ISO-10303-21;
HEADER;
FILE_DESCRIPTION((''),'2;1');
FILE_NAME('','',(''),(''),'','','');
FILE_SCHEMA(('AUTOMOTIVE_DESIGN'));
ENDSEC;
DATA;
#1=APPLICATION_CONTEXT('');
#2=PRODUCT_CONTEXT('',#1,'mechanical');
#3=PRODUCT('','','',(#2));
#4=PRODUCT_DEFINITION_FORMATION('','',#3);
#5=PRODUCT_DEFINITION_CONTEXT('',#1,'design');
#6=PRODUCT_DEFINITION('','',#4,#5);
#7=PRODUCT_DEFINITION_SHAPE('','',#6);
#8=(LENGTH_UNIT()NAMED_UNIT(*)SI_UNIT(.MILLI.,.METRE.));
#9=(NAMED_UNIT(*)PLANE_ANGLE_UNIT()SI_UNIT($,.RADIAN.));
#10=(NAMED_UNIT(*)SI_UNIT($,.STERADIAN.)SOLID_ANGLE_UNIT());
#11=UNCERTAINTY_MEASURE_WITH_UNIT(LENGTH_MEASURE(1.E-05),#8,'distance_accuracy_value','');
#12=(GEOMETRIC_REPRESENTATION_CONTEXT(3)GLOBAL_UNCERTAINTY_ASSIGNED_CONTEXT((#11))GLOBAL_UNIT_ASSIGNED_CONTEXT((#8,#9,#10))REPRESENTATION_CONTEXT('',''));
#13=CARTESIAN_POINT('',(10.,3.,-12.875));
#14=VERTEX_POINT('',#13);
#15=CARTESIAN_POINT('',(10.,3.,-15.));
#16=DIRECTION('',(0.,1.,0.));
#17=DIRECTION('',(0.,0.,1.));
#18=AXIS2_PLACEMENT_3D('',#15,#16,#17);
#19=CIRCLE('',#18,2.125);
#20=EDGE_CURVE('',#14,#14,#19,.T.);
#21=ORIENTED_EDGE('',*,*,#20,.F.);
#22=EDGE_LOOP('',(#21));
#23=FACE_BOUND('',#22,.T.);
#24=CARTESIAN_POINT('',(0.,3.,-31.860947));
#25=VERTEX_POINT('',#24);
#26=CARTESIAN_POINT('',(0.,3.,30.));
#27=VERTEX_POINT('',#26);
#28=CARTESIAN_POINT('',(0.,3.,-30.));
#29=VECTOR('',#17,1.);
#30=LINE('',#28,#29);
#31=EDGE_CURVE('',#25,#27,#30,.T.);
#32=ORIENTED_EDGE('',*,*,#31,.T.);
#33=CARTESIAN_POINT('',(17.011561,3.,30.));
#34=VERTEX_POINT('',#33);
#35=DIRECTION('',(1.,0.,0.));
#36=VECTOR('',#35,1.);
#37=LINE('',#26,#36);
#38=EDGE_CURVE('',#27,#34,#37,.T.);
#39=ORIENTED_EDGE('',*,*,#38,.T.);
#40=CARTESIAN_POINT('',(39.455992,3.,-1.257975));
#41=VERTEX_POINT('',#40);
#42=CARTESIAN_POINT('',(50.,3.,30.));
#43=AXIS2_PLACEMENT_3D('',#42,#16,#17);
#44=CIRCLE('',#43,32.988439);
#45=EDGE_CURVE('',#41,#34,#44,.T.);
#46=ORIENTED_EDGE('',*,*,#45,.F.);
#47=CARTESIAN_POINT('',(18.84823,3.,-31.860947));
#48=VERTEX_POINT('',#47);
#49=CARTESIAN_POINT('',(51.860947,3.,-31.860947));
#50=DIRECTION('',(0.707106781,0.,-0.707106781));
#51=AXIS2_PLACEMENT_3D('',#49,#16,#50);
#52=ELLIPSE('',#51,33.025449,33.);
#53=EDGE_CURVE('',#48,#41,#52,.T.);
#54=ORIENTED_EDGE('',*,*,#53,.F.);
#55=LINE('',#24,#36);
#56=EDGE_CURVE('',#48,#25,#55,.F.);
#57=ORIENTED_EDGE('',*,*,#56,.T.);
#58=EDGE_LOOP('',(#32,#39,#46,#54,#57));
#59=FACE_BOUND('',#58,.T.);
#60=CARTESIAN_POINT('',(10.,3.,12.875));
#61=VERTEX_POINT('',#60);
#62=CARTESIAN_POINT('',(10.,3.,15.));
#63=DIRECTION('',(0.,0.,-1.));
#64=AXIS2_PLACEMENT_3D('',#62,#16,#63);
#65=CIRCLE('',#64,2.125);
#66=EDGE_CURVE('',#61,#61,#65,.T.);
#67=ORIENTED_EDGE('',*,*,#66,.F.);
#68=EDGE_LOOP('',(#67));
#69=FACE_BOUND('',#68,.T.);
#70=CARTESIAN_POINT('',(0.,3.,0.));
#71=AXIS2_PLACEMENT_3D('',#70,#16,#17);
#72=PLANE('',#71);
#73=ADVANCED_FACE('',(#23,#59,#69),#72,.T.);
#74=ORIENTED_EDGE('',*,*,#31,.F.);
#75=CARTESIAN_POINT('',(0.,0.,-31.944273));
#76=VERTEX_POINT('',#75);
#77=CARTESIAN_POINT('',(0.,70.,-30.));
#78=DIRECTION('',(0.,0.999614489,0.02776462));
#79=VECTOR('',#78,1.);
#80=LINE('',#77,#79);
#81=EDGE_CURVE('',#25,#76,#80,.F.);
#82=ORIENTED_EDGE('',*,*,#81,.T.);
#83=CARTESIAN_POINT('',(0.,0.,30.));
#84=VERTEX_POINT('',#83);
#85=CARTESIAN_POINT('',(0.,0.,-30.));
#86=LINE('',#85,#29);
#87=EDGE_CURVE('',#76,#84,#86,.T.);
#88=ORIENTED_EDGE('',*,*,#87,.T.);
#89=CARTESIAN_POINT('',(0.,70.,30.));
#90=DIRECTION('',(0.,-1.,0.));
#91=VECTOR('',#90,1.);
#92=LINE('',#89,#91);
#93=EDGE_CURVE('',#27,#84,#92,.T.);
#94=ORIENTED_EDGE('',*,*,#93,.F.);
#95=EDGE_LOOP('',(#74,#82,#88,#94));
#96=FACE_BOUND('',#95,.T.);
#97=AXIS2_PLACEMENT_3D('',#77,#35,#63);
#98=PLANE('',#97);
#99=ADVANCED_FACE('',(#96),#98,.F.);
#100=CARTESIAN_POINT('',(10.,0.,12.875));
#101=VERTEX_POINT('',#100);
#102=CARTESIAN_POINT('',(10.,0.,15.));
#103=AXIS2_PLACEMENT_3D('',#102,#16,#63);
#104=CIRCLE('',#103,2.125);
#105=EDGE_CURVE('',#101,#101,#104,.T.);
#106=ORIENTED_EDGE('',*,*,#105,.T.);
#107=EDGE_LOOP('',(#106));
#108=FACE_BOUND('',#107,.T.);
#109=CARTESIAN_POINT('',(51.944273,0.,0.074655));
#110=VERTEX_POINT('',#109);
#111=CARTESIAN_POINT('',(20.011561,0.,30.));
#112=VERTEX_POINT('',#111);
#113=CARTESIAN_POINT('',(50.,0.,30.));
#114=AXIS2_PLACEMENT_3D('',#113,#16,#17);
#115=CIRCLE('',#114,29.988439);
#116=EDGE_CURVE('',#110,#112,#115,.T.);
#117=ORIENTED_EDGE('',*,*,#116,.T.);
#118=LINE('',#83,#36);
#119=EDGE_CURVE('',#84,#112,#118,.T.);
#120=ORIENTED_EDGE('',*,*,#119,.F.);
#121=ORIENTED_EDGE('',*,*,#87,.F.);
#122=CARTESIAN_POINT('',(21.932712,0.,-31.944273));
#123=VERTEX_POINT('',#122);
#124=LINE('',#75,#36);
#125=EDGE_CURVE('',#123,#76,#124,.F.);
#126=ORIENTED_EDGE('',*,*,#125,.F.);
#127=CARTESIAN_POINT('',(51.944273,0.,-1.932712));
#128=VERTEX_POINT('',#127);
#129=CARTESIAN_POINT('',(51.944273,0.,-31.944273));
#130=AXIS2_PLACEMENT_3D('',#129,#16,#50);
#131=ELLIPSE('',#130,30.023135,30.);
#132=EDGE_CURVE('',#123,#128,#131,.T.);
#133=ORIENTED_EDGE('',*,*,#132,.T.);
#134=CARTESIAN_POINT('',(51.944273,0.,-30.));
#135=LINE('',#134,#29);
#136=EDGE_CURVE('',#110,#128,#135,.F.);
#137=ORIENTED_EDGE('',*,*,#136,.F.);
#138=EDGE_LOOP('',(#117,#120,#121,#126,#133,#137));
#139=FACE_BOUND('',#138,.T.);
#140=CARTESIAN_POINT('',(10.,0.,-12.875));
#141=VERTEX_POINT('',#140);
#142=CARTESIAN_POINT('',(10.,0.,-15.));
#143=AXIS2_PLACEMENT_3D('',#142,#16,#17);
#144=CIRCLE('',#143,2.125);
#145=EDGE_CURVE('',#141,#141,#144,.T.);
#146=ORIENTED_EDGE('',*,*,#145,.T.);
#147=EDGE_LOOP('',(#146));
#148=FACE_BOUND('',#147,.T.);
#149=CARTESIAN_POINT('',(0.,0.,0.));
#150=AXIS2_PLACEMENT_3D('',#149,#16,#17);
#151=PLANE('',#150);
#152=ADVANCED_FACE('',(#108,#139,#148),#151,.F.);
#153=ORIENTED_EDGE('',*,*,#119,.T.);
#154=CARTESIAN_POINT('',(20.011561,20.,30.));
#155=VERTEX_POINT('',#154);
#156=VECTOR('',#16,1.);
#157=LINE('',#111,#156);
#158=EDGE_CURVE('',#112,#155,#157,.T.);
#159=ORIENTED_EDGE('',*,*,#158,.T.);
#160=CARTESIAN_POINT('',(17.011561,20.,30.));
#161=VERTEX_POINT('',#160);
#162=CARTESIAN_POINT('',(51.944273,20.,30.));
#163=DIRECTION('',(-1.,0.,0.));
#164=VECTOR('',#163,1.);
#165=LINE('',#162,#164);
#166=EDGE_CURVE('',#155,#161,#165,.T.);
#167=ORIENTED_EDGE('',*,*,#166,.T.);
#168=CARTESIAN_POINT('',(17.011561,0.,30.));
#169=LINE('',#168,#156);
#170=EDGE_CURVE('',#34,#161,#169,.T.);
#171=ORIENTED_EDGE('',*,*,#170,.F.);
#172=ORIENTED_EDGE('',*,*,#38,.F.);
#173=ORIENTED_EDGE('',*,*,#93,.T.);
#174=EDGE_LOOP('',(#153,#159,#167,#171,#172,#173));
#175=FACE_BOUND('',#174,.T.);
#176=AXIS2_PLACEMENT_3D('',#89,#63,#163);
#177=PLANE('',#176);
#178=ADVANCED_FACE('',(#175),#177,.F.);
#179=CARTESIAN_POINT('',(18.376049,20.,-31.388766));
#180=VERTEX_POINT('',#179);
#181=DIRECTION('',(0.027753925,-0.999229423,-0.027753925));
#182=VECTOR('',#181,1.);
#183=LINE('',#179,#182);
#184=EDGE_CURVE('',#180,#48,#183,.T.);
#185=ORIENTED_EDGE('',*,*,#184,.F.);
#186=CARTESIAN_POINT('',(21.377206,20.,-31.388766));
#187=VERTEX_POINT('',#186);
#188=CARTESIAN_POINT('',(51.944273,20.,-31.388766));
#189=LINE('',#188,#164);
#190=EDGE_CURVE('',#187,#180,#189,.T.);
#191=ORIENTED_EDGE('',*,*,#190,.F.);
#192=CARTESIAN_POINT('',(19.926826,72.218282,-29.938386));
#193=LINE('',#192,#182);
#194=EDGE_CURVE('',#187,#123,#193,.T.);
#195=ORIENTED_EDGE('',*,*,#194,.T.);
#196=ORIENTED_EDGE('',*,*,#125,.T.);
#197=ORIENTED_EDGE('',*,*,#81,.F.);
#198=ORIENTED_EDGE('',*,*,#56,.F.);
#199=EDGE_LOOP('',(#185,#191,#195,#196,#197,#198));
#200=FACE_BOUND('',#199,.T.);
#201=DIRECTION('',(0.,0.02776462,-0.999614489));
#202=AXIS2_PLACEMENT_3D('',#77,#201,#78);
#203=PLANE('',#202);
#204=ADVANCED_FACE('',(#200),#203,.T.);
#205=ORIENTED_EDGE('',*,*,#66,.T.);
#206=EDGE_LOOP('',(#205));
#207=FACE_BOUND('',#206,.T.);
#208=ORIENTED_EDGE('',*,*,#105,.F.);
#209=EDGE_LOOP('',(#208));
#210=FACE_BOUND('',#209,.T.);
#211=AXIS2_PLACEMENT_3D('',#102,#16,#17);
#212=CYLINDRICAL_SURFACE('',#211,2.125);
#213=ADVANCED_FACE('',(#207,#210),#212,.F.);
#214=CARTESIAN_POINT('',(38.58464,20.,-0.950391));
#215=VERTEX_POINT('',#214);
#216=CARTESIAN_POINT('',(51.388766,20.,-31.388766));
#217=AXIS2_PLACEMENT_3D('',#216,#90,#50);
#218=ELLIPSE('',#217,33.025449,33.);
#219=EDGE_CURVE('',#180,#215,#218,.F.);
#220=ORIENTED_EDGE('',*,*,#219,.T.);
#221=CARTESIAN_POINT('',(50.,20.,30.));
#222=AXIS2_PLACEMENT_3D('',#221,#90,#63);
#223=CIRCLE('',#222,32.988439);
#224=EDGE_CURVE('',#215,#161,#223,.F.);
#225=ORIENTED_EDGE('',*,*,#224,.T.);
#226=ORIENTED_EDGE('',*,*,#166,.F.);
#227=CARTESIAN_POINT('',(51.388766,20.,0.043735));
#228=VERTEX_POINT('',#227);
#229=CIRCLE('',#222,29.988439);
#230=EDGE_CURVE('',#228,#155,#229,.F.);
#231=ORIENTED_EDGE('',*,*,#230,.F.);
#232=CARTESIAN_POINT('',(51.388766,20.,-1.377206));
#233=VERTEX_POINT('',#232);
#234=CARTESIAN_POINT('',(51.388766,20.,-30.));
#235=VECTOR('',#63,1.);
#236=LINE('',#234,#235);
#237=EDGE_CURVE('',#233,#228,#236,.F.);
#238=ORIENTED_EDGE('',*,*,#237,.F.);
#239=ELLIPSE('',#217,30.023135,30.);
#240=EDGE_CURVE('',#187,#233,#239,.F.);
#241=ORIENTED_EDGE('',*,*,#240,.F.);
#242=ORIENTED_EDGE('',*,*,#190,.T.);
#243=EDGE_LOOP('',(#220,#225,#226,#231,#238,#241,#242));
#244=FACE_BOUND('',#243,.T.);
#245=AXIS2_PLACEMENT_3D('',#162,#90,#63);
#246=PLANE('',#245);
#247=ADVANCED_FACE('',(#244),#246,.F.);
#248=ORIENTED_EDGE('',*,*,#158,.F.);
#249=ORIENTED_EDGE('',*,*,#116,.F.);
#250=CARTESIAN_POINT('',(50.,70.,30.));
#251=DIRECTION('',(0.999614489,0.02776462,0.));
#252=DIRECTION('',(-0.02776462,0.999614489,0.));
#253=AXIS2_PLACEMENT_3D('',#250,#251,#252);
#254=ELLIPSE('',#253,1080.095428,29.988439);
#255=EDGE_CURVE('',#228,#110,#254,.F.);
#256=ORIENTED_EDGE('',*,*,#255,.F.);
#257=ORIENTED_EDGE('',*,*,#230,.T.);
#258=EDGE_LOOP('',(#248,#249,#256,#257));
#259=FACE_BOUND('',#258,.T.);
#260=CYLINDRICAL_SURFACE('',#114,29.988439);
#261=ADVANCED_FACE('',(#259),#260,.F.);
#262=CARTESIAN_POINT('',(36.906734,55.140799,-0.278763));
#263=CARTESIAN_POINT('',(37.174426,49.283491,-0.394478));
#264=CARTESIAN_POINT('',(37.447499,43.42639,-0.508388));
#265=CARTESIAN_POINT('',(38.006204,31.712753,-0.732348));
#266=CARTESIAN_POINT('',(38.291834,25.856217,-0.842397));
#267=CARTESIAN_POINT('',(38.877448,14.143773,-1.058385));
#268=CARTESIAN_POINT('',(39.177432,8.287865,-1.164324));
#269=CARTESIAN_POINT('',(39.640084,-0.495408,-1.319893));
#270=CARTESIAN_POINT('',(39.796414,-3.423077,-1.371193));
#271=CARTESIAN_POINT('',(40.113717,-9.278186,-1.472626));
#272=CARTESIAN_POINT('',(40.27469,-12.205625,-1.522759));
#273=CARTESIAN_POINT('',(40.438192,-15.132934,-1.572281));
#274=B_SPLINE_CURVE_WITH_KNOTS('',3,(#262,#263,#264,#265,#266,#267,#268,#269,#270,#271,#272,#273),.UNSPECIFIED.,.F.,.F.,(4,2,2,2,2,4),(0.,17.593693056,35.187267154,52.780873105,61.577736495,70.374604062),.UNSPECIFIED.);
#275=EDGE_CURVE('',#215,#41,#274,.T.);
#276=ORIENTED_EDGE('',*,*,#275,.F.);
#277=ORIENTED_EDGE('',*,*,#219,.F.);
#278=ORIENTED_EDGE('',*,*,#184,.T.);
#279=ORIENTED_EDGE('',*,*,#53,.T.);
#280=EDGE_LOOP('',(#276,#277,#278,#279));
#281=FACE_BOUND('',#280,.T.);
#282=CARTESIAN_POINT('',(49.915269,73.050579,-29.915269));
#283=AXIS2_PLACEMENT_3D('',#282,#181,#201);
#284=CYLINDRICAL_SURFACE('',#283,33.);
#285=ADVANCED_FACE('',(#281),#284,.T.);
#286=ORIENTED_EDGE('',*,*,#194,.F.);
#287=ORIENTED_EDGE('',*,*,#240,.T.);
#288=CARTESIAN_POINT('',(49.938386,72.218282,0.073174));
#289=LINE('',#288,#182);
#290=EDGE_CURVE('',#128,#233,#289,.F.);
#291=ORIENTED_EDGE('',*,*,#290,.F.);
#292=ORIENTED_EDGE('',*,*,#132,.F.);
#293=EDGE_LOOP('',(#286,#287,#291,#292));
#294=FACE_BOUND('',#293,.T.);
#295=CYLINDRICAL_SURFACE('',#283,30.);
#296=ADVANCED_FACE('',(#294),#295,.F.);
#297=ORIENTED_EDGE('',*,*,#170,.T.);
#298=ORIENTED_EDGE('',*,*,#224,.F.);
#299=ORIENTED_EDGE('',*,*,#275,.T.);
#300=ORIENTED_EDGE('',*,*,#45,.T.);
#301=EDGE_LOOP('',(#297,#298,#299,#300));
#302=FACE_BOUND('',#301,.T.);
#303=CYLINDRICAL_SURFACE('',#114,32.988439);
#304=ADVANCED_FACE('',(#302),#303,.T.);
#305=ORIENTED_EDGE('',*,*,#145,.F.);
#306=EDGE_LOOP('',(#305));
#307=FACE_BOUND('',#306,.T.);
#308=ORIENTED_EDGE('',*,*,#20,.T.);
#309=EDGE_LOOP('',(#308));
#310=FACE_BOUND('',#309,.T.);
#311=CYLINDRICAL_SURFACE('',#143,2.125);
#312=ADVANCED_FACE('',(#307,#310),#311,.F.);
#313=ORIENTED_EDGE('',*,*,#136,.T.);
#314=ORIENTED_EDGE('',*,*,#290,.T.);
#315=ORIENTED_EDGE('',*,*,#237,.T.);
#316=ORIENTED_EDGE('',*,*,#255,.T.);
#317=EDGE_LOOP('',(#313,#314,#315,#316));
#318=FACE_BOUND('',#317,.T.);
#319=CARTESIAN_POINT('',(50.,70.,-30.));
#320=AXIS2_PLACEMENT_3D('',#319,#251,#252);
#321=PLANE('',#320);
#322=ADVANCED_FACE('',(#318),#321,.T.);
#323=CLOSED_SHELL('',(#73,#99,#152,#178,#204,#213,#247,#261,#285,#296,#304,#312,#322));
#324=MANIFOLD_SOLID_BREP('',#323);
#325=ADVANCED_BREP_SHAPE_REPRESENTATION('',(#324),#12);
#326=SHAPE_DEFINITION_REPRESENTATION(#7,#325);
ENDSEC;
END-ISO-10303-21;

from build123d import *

# Parameters (mm, degrees)
SKETCH_1_W               = 50
SKETCH_1_H               = 60
EXTRUDE_1_DEPTH          = 70
DRAFT_1_ANGLE            = 1.591
CUT_EXTRUDE_1_DEPTH      = 105.880884817
CUT_EXTRUDE_1_DEPTH_BACK = 105.880884817
SKETCH_8_R               = 30
SKETCH_9_R               = 29.988439116
CUT_EXTRUDE_2_DEPTH      = 93.836652593
SKETCH_10_W              = 61.388766385
SKETCH_10_H              = 50
CUT_EXTRUDE_3_DEPTH      = 93.836652759
SHELL_1_T                = -3
SKETCH_11_R              = 2.125
CUT_EXTRUDE_4_DEPTH      = 64.305956024


with BuildPart() as part:
    # 草圖1 → 填料-伸長1 (new body)
    with BuildSketch(Plane(origin=(0, 0, 0), x_dir=(1, 0, 0), z_dir=(0, 1, 0))):
        with Locations((25, 0)):
            Rectangle(SKETCH_1_W, SKETCH_1_H)
    extrude(amount=EXTRUDE_1_DEPTH)

    # 拔模1
    draft_1_faces = [part.faces().sort_by_distance(p)[0] for p in [
        (50, 35, 0),
        (25, 35, -30),
    ]]
    draft(draft_1_faces, Plane.ZX.offset(70), DRAFT_1_ANGLE)

    # 草圖8 → 除料-伸長1 (cut, two sides: drawn at the far end of the back side and taken through both)
    with BuildSketch(Plane(origin=(50, 70, -30), x_dir=(0.9996147856379402, 0.027743225206125616, 0.0007705771714084014), z_dir=(0.027753924659674706, -0.9992294227713525, -0.027753924659674706)).offset(-CUT_EXTRUDE_1_DEPTH_BACK)):
        Circle(SKETCH_8_R)
    extrude(amount=CUT_EXTRUDE_1_DEPTH + CUT_EXTRUDE_1_DEPTH_BACK, mode=Mode.SUBTRACT)

    # 草圖9 → 除料-伸長2 (cut, through all)
    with BuildSketch(Plane(origin=(0, 70, 0), x_dir=(1, 0, 0), z_dir=(0, 1, 0))):
        with Locations((50, -30)):
            Circle(SKETCH_9_R)
    extrude(amount=-CUT_EXTRUDE_2_DEPTH, mode=Mode.SUBTRACT)

    # 草圖10 → 除料-伸長3 (cut, through all)
    with BuildSketch(Plane.ZY):
        with Locations((-0.694383192, 45)):
            Rectangle(SKETCH_10_W, SKETCH_10_H)
    extrude(amount=-CUT_EXTRUDE_3_DEPTH, mode=Mode.SUBTRACT)

    # 薄殼1
    shell_1_openings = [part.faces().sort_by_distance(p)[0] for p in [
        (14.872442298, 20, -1.069608967),
        (10.828073147, 9.957245624, -31.667707178),
        (10.005780442, 10, 30),
        (0, 9.984986274, -0.833468336),
    ]]
    offset(amount=SHELL_1_T, openings=shell_1_openings, kind=Kind.INTERSECTION)

    # 草圖11 → 除料-伸長4 (cut, through all)
    with BuildSketch(Plane(origin=(0, 3, 0), x_dir=(1, 0, 0), z_dir=(0, 1, 0))):
        with Locations(Location((10, 15, 0), (0, 0, 270))):
            Circle(SKETCH_11_R)
        with Locations(Location((10, -15, 0), (0, 0, 90))):
            Circle(SKETCH_11_R)
    extrude(amount=-CUT_EXTRUDE_4_DEPTH, mode=Mode.SUBTRACT)


solid = part.part
